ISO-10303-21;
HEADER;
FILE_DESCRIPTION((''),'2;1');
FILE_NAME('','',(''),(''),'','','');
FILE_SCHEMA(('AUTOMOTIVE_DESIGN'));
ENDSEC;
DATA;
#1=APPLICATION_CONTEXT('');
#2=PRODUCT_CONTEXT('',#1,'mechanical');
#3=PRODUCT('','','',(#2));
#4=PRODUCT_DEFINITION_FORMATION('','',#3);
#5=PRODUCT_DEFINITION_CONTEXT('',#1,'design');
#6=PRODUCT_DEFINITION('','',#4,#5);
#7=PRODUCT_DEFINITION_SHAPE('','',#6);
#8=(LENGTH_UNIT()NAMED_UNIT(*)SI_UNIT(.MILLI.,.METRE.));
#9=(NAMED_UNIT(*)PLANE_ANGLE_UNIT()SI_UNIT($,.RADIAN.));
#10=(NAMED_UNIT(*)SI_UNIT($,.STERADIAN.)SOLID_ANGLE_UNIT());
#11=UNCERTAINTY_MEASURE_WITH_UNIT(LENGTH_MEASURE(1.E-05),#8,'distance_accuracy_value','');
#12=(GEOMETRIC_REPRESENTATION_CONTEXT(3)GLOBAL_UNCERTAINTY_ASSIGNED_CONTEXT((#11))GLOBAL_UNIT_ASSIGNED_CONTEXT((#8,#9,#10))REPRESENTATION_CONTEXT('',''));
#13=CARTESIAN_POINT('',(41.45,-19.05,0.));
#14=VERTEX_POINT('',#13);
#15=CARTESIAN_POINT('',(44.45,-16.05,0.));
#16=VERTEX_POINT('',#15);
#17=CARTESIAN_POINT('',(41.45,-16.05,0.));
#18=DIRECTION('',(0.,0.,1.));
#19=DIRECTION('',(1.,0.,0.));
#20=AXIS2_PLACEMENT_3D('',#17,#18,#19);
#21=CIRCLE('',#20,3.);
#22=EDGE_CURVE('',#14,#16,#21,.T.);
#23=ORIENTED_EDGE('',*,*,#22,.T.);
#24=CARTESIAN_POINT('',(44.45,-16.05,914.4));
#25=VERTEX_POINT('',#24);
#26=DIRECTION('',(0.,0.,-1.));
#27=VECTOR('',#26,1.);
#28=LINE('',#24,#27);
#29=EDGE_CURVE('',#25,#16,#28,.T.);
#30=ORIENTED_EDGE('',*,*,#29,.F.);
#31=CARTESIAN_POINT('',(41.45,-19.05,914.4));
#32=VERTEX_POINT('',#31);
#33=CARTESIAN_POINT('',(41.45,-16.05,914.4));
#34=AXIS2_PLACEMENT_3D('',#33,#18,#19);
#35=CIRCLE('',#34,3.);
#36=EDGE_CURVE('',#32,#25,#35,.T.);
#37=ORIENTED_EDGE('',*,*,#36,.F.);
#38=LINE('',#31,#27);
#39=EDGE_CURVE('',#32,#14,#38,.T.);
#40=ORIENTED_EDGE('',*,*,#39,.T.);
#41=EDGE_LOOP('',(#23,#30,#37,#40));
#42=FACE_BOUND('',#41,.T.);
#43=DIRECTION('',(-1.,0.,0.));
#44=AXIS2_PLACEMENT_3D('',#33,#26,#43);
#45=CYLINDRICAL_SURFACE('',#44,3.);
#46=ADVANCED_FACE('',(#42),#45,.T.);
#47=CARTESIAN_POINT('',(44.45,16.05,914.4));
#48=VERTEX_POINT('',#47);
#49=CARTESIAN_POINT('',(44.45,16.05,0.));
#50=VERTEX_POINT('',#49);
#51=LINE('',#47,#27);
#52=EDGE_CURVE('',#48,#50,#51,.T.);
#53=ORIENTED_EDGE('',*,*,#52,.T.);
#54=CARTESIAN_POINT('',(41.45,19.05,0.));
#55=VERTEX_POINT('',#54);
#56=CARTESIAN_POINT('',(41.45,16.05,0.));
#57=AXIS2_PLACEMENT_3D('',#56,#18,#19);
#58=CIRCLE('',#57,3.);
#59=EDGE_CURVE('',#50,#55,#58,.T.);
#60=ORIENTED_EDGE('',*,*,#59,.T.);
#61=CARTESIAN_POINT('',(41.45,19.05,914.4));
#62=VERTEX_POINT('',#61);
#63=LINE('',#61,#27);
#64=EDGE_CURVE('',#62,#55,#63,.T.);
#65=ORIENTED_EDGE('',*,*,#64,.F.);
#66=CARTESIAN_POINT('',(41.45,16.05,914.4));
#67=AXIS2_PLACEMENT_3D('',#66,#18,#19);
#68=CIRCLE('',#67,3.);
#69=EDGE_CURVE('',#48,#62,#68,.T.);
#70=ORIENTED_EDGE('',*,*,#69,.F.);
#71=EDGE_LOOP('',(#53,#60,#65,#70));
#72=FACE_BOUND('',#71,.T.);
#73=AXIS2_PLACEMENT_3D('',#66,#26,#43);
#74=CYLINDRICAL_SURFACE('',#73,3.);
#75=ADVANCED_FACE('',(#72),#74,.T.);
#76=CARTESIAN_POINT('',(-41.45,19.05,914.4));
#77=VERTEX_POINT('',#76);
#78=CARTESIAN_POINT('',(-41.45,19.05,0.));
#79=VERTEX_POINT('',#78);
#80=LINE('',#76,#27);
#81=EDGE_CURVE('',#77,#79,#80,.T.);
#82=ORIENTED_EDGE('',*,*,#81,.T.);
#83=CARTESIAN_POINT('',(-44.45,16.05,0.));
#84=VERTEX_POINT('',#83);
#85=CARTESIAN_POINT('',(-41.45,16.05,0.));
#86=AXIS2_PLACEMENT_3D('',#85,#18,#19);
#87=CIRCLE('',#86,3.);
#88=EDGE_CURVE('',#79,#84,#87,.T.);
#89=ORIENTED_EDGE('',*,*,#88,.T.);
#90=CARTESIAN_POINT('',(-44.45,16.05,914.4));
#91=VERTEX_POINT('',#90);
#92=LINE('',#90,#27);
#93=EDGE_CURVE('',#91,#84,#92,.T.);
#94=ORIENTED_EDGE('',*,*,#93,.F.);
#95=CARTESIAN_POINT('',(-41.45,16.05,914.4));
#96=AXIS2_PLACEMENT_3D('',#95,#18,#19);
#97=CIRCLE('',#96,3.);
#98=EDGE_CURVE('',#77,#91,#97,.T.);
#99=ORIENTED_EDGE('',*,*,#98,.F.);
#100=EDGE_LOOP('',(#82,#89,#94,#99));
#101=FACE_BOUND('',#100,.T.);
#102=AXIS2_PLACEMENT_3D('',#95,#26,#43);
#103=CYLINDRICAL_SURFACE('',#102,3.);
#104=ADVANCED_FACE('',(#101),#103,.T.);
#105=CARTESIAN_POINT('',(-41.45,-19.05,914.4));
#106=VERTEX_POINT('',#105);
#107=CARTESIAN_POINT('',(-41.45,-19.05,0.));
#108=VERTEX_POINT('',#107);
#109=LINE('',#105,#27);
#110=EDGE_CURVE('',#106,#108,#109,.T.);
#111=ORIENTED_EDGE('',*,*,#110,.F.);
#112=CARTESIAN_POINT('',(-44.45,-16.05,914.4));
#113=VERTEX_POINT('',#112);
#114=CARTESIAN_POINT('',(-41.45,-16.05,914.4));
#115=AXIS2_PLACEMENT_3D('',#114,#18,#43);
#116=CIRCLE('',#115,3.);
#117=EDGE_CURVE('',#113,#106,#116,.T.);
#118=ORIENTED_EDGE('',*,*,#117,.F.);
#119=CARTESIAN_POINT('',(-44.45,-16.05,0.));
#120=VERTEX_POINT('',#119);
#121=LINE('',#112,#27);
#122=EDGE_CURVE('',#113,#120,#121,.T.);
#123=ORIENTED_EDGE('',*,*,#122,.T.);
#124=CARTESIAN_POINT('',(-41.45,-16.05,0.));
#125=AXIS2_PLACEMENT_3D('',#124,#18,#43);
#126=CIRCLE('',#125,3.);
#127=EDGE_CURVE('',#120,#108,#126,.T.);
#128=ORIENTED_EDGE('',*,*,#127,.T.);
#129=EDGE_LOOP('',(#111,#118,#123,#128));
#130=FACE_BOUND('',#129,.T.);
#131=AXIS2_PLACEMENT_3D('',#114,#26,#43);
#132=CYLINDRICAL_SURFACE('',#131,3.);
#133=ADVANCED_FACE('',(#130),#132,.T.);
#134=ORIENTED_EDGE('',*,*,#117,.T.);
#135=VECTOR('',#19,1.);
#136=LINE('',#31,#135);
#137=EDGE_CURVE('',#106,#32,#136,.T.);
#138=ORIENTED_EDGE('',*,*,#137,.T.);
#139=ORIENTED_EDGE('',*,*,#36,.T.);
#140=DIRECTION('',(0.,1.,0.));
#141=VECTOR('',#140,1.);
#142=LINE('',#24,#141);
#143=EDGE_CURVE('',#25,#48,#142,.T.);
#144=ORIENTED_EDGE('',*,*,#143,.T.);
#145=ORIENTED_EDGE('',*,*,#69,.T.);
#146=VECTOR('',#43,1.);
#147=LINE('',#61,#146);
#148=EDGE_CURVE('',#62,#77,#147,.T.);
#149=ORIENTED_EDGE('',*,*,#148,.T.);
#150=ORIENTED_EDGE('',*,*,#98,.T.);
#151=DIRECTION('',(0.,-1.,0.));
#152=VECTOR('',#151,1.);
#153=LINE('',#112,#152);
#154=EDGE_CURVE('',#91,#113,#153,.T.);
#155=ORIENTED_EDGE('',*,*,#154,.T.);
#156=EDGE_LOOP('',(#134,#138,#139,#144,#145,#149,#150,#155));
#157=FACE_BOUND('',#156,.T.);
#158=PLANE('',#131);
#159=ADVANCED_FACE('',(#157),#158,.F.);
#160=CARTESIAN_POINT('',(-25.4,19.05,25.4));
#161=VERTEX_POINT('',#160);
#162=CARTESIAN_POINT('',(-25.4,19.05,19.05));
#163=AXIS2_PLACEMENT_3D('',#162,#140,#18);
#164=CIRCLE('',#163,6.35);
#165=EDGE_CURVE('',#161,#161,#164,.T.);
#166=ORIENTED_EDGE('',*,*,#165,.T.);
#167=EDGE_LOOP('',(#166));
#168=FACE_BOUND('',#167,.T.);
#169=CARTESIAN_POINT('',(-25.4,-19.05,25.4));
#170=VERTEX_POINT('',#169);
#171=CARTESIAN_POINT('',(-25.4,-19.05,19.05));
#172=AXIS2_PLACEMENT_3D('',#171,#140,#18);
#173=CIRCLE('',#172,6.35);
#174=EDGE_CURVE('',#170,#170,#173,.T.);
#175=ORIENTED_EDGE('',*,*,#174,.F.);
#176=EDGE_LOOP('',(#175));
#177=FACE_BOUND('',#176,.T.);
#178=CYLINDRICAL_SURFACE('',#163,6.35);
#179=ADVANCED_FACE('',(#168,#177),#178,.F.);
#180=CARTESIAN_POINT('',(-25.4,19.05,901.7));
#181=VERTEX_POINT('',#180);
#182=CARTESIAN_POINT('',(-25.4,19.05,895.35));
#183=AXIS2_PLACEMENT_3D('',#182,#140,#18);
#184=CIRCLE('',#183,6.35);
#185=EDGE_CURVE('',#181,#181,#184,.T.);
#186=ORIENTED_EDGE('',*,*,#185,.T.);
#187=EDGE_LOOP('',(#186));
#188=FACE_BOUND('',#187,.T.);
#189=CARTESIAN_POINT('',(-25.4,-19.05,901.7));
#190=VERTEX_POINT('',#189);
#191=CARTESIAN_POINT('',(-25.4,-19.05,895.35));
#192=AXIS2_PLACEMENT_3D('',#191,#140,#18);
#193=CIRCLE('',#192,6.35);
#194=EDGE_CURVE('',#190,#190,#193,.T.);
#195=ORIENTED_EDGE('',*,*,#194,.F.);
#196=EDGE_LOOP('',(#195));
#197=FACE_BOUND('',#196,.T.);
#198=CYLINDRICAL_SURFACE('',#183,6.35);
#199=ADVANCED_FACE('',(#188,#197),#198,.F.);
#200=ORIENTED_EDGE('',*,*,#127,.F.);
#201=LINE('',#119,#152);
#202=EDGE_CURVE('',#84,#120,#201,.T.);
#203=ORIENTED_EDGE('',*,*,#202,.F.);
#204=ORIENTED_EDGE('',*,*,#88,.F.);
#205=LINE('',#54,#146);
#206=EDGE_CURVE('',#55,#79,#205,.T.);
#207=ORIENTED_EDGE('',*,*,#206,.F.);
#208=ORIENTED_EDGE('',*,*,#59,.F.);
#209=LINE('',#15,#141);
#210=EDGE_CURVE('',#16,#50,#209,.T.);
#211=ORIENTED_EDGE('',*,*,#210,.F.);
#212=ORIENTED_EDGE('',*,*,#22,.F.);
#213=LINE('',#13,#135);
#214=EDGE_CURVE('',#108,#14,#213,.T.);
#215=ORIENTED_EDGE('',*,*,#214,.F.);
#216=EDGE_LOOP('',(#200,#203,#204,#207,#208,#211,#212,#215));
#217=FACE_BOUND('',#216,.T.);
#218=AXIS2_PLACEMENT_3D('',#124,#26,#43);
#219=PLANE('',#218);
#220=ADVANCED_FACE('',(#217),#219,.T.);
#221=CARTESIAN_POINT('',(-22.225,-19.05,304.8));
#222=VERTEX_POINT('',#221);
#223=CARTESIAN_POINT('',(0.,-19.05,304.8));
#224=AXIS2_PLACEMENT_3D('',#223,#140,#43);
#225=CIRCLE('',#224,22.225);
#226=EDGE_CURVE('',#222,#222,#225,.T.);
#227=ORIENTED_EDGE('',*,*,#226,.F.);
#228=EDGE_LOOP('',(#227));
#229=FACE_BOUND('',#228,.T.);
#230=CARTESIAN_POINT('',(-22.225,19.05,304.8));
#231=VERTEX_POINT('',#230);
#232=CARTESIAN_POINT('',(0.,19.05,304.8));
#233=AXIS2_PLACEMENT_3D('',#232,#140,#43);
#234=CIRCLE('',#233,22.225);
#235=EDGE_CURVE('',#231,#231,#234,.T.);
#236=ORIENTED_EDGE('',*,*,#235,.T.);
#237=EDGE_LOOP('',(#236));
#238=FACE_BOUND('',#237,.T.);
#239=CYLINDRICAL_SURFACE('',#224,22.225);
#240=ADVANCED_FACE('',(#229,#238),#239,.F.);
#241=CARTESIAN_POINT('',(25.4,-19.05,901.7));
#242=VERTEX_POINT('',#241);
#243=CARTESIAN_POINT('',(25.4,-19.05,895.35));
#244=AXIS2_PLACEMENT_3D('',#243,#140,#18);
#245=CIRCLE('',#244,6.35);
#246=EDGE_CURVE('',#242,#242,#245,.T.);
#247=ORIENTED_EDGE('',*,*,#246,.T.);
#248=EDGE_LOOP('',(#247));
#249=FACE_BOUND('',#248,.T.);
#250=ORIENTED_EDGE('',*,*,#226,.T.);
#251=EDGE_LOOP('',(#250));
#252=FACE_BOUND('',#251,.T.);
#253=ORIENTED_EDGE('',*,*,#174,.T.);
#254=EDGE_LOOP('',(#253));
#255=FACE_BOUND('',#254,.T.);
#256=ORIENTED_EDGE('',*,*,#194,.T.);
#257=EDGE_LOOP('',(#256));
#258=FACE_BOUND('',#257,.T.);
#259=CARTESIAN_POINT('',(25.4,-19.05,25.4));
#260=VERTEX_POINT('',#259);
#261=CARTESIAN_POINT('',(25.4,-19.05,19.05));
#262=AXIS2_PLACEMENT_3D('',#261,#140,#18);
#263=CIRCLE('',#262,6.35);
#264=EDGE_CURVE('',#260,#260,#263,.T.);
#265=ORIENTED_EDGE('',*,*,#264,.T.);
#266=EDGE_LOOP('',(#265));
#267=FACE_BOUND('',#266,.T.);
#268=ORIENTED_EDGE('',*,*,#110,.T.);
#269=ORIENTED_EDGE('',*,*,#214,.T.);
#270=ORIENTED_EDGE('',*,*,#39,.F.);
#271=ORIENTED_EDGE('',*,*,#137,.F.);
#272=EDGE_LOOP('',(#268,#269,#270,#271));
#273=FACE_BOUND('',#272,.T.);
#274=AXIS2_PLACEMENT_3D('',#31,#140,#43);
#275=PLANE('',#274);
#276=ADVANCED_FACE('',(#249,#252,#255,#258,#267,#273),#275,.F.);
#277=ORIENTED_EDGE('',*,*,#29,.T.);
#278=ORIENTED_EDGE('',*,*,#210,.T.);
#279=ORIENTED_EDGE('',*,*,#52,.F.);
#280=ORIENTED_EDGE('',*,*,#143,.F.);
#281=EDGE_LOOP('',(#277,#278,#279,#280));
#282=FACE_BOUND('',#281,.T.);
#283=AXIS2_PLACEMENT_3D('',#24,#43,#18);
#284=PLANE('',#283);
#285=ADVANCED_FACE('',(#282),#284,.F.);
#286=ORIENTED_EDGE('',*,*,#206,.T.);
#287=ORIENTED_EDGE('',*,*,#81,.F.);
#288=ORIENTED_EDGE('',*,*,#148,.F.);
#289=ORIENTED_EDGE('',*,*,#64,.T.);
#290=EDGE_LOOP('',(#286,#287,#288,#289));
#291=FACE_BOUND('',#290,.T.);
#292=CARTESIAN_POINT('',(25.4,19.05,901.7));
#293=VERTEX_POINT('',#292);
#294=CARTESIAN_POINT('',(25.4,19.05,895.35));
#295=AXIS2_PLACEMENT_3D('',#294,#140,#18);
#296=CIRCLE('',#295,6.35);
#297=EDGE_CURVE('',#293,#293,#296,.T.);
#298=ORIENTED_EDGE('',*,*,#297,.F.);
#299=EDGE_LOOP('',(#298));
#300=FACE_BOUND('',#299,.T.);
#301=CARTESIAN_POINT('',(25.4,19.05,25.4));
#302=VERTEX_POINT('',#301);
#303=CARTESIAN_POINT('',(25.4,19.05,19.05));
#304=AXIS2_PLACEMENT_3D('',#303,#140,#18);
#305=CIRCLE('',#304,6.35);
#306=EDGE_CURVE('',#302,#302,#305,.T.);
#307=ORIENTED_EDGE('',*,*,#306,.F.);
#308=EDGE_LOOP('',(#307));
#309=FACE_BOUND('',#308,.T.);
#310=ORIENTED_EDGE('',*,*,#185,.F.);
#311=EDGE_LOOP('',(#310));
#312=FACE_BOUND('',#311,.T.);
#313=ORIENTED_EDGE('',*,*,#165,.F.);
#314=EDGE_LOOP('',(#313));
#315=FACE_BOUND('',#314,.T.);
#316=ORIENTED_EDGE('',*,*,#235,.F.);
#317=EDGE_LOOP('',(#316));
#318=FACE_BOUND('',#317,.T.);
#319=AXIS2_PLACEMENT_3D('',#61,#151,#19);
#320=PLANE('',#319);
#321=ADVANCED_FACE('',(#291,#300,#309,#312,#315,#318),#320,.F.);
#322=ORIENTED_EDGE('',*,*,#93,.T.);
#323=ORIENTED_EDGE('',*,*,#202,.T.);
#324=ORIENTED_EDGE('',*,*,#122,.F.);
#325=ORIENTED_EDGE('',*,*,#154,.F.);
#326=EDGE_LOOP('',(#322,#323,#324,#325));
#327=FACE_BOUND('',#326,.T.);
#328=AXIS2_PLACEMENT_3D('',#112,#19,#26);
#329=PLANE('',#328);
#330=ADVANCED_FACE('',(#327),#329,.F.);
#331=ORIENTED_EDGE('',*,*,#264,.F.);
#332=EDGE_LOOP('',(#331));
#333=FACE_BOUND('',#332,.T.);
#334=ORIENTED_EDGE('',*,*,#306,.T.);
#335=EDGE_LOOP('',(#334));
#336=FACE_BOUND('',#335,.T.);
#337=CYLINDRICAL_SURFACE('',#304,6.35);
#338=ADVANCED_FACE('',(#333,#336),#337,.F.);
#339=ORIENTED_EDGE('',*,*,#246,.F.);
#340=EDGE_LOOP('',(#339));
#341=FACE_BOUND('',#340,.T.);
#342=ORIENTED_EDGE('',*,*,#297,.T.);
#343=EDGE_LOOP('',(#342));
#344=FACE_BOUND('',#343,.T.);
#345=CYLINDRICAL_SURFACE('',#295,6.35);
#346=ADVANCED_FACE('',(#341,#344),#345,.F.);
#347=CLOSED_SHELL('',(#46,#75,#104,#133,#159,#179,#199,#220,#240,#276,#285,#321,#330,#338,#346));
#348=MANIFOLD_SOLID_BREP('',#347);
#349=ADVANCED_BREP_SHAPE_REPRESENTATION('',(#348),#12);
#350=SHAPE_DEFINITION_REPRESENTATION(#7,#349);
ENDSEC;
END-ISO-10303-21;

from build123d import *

# Parameters (mm, degrees)
BOSS_EXTRUDE1_DEPTH        = 914.4
SKETCH2_R                  = 22.225
CUT_EXTRUDE1_DEPTH         = 917.272215283
F_1_2_0_5_DIAMETER_HOLE1_D = 12.7


with BuildPart() as part:
    # Sketch1 → Boss-Extrude1 (new body)
    with BuildSketch(Plane.XY):
        with BuildLine():
            Line((41.45, -19.05), (-41.45, -19.05))
            ThreePointArc((-41.45, -19.05), (-43.571320344, -18.171320344), (-44.45, -16.05))
            Line((-44.45, -16.05), (-44.45, 16.05))
            ThreePointArc((-44.45, 16.05), (-43.571320344, 18.171320344), (-41.45, 19.05))
            Line((-41.45, 19.05), (41.45, 19.05))
            ThreePointArc((41.45, 19.05), (43.571320344, 18.171320344), (44.45, 16.05))
            Line((44.45, 16.05), (44.45, -16.05))
            ThreePointArc((44.45, -16.05), (43.571320344, -18.171320344), (41.45, -19.05))
        make_face()
    extrude(amount=BOSS_EXTRUDE1_DEPTH)

    # Sketch2 → Cut-Extrude1 (cut, through all)
    with BuildSketch(Plane(origin=(0, 19.05, 0), x_dir=(1, 0, 0), z_dir=(0, 1, 0))):
        with Locations(Location((0, -304.8, 0), (0, 0, 180))):
            Circle(SKETCH2_R)
    extrude(amount=-CUT_EXTRUDE1_DEPTH, mode=Mode.SUBTRACT)

    # 1/2 (0.5) Diameter Hole1 (through all)
    with Locations(Plane(origin=(0, 19.05, 0), x_dir=(1, 0, 0), z_dir=(0, 1, 0))):
        with Locations((-25.4, -895.35), (25.4, -895.35), (-25.4, -19.05), (25.4, -19.05)):
            Hole(F_1_2_0_5_DIAMETER_HOLE1_D / 2)


solid = part.part
